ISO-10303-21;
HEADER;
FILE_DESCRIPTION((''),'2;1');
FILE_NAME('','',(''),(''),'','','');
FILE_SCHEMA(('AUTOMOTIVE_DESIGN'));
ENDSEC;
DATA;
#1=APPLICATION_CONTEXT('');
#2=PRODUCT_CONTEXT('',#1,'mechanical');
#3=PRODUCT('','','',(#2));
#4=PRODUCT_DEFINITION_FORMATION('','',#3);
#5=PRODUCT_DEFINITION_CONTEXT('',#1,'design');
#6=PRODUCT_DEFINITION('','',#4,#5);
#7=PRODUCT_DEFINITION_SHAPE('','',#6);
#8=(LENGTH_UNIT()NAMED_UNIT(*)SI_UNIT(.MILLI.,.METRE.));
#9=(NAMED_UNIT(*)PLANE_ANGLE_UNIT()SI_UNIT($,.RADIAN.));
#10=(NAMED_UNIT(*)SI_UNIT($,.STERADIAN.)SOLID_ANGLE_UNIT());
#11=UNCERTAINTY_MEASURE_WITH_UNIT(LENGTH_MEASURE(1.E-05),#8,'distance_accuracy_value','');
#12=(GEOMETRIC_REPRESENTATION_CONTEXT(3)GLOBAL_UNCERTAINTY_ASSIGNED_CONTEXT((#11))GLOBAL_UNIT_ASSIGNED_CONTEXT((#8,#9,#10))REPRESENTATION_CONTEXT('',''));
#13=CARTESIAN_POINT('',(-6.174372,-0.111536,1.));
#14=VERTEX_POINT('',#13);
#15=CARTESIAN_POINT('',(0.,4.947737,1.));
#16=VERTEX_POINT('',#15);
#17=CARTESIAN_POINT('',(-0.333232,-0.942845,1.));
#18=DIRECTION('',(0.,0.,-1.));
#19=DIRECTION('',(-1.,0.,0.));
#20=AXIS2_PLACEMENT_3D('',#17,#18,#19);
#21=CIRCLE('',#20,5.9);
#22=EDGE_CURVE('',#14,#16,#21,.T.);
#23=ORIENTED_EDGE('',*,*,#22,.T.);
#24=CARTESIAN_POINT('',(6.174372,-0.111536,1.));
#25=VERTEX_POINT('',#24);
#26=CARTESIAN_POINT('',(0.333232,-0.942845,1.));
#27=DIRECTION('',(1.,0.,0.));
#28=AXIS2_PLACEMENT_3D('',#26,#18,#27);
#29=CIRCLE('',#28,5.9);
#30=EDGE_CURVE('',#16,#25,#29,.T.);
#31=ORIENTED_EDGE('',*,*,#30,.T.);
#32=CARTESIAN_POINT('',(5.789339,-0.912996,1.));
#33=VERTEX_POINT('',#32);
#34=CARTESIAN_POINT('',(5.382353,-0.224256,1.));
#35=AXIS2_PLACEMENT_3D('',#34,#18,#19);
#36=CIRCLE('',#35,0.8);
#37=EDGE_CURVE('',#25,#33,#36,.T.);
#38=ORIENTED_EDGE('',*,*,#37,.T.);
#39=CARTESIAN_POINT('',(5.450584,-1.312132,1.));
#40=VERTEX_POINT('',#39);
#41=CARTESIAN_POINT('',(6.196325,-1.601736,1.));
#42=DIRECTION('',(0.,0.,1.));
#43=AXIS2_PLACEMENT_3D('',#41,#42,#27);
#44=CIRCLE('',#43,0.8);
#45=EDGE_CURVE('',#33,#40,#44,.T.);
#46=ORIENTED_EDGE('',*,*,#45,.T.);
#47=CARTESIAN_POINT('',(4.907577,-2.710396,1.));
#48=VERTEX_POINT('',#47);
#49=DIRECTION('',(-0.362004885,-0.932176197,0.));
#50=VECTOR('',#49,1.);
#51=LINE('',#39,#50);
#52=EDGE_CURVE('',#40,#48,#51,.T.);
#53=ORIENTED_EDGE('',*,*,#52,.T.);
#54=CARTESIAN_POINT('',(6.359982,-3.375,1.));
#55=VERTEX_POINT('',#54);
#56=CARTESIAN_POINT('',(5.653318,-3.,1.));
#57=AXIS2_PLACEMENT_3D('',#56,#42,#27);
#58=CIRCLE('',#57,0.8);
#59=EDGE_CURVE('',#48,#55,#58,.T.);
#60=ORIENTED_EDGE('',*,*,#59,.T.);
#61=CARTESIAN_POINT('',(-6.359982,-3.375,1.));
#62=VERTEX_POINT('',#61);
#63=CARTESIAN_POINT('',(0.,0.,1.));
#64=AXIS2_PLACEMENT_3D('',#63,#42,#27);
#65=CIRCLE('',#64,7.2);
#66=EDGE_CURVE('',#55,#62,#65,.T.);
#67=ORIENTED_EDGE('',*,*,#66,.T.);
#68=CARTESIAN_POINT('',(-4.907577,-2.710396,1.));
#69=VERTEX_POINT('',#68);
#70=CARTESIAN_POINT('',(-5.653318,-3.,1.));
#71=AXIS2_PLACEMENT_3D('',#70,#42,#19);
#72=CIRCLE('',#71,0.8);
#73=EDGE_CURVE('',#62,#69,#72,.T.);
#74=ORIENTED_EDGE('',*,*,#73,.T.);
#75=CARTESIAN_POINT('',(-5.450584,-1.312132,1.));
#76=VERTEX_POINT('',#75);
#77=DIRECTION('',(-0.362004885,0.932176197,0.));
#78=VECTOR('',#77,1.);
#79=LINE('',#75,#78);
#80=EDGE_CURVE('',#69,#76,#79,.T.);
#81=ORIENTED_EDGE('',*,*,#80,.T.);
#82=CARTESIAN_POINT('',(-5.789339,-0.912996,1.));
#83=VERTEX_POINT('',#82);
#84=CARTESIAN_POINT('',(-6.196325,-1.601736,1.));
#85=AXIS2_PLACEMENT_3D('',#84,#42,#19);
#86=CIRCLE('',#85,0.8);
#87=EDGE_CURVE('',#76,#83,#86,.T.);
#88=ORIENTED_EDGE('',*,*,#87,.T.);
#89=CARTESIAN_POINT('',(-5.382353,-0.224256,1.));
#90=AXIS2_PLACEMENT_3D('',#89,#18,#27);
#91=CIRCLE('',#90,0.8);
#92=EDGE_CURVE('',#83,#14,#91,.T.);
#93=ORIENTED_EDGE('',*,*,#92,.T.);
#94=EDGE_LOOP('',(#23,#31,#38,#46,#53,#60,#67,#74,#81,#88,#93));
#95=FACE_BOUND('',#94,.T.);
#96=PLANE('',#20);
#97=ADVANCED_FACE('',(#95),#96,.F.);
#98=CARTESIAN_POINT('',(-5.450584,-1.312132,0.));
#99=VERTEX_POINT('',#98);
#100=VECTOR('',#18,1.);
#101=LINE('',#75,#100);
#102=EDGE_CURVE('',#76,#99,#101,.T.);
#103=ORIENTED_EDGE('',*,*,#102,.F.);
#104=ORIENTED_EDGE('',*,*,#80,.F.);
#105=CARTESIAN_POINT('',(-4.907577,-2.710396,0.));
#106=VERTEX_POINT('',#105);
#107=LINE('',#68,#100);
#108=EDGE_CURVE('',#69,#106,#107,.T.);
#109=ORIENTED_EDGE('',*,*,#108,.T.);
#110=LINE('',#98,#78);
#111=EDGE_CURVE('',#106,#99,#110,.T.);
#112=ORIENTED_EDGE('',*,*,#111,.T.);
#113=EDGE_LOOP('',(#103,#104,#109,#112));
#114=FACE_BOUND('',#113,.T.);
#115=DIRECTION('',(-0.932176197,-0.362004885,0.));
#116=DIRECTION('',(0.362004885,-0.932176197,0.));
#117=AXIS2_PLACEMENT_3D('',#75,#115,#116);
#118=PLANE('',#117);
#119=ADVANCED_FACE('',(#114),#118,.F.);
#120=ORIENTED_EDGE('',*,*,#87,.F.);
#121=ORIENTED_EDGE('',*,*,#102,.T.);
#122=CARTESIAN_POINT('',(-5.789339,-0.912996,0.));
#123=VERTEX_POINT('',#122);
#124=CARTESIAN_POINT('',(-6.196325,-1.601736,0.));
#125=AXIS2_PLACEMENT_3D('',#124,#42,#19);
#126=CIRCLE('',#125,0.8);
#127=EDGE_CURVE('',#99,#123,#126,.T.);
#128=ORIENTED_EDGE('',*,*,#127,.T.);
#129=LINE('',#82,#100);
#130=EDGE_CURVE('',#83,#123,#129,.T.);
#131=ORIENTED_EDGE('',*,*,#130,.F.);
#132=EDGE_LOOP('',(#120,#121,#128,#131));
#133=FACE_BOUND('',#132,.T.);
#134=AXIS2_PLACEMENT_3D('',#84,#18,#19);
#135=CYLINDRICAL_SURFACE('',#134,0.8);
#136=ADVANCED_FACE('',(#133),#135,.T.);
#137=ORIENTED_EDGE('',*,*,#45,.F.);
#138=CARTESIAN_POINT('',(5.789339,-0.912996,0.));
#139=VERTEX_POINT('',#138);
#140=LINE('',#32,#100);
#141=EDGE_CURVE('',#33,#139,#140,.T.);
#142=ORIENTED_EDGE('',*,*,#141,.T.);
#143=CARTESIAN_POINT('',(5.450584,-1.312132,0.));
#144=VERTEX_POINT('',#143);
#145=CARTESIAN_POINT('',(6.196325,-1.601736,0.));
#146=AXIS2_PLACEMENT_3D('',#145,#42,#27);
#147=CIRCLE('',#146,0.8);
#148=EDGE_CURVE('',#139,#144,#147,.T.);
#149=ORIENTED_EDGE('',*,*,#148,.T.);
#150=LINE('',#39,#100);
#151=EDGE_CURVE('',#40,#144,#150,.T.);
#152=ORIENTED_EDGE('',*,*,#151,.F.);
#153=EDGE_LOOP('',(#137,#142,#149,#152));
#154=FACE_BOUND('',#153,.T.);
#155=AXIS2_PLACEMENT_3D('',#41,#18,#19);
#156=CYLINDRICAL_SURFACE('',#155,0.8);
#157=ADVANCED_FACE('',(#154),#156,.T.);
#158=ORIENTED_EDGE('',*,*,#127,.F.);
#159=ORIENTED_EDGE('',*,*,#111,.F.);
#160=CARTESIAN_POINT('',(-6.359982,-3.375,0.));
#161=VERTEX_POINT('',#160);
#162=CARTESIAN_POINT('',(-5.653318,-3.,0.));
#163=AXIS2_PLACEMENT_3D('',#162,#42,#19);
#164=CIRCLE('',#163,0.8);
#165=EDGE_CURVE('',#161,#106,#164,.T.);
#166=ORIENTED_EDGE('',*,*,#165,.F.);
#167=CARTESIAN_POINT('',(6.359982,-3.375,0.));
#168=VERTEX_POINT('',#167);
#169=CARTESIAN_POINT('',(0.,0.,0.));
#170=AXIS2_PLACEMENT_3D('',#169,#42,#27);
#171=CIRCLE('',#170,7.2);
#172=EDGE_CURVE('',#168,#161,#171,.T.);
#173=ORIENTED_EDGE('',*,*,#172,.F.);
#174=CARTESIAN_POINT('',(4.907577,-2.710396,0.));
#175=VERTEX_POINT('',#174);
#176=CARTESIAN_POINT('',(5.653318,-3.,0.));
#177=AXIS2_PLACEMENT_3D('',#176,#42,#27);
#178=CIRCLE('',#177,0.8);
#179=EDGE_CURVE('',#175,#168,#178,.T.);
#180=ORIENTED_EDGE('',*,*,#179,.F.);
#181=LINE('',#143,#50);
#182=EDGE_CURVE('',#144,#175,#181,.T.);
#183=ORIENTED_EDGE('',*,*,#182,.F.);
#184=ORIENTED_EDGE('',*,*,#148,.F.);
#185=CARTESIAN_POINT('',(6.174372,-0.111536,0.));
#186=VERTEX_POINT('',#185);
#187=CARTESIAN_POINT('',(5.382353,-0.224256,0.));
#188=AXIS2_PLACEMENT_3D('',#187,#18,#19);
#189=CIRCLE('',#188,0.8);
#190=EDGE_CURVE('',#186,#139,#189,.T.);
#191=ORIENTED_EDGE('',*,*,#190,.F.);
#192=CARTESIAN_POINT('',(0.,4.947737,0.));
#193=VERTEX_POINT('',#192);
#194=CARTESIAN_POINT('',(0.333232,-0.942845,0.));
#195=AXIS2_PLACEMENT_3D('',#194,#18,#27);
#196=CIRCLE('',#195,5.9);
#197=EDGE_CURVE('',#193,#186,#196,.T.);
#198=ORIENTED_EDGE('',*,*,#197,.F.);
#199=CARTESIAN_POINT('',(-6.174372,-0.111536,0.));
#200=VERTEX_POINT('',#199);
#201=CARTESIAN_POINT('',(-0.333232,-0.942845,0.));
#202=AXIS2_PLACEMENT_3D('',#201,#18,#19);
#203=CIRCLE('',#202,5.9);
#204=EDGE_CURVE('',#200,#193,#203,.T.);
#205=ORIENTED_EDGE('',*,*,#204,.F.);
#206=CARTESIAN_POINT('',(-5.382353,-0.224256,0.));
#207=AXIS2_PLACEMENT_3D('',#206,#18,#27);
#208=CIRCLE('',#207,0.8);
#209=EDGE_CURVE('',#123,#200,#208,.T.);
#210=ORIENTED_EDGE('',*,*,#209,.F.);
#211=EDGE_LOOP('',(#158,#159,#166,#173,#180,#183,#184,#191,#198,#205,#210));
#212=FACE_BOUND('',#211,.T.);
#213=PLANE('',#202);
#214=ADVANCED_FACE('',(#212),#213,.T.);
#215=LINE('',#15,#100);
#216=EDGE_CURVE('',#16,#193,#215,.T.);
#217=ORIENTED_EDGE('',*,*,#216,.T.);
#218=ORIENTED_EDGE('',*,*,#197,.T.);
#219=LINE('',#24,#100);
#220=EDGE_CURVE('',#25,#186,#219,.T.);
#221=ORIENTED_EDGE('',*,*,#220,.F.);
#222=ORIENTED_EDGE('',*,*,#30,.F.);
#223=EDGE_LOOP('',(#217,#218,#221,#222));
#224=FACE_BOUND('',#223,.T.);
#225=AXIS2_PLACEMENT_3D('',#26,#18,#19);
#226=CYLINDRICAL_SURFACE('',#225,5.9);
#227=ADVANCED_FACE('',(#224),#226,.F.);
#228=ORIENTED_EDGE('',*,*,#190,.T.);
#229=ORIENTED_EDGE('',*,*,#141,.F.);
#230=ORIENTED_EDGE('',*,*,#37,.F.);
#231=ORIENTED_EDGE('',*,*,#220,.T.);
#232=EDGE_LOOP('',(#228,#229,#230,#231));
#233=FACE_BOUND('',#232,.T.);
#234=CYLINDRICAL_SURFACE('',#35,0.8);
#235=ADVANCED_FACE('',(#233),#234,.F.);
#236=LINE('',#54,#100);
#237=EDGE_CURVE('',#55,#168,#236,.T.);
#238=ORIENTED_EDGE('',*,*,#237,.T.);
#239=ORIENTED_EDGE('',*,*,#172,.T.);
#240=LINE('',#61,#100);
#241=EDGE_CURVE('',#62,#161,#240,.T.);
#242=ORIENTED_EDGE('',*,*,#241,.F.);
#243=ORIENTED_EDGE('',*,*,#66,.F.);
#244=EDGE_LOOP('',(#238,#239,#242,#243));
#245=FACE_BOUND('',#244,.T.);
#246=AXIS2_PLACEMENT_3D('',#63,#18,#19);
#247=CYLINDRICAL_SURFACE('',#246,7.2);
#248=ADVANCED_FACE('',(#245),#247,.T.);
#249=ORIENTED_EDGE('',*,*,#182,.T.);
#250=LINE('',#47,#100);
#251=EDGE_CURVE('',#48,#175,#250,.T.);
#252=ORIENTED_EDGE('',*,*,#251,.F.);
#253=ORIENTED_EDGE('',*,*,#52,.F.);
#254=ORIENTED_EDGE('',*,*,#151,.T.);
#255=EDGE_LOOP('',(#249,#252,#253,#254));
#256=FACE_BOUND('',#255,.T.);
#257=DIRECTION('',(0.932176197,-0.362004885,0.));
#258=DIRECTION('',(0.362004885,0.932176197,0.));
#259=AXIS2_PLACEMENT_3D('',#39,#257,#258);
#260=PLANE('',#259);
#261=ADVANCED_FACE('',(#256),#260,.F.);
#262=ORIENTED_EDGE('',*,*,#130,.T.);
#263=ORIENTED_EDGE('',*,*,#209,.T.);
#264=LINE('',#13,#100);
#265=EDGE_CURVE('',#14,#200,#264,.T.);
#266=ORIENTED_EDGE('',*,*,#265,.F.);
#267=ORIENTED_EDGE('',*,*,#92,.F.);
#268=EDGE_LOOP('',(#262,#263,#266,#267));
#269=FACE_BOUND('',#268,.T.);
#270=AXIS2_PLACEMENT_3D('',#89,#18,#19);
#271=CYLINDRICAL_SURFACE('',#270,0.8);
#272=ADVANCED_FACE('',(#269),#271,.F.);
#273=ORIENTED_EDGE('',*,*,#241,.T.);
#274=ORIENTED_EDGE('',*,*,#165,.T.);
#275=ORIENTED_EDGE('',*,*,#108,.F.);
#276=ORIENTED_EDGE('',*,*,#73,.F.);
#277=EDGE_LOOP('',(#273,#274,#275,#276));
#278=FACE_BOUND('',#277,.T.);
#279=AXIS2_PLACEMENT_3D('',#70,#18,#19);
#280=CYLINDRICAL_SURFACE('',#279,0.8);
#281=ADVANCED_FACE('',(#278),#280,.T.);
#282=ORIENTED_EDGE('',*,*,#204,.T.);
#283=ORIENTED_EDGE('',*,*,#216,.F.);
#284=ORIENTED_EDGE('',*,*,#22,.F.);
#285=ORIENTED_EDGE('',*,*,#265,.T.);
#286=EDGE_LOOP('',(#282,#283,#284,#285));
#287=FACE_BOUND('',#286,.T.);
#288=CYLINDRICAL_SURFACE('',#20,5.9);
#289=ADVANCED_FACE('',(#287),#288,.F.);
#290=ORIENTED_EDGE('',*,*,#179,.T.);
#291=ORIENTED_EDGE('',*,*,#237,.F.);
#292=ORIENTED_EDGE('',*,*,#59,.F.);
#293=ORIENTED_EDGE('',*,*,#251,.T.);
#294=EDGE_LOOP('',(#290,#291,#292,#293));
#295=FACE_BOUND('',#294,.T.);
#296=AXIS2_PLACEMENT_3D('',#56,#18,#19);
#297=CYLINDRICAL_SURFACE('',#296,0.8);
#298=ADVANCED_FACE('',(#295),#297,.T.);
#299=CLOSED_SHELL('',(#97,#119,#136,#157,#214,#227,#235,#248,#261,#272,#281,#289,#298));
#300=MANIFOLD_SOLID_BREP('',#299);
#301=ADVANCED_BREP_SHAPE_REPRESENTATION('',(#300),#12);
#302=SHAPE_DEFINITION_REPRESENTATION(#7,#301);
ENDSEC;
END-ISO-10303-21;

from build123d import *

# Parameters (mm, degrees)
EXTRUSION1_DEPTH = 1


with BuildPart() as part:
    # Esquisse1 → Extrusion1 (new body)
    with BuildSketch(Plane.XY):
        with BuildLine():
            Line((5.45058398, -1.312131796), (4.907576652, -2.710396092))
            ThreePointArc((4.907576652, -2.710396092), (5.320441767, -3.72745699), (6.359982311, -3.375))
            ThreePointArc((6.359982311, -3.375), (0, 7.2), (-6.359982311, -3.375))
            ThreePointArc((-6.359982311, -3.375), (-5.320441767, -3.72745699), (-4.907576652, -2.710396092))
            Line((-4.907576652, -2.710396092), (-5.45058398, -1.312131796))
            ThreePointArc((-5.45058398, -1.312131796), (-5.58638878, -1.084069901), (-5.789339137, -0.91299587))
            ThreePointArc((-5.789339137, -0.91299587), (-6.103454982, -0.570684122), (-6.174372427, -0.111536201))
            ThreePointArc((-6.174372427, -0.111536201), (-4.07266037, 3.620779969), (0, 4.947737042))
            ThreePointArc((0, 4.947737042), (4.07266037, 3.620779969), (6.174372427, -0.111536201))
            ThreePointArc((6.174372427, -0.111536201), (6.103454982, -0.570684122), (5.789339137, -0.91299587))
            ThreePointArc((5.789339137, -0.91299587), (5.58638878, -1.084069901), (5.45058398, -1.312131796))
        make_face()
    extrude(amount=EXTRUSION1_DEPTH)


solid = part.part
